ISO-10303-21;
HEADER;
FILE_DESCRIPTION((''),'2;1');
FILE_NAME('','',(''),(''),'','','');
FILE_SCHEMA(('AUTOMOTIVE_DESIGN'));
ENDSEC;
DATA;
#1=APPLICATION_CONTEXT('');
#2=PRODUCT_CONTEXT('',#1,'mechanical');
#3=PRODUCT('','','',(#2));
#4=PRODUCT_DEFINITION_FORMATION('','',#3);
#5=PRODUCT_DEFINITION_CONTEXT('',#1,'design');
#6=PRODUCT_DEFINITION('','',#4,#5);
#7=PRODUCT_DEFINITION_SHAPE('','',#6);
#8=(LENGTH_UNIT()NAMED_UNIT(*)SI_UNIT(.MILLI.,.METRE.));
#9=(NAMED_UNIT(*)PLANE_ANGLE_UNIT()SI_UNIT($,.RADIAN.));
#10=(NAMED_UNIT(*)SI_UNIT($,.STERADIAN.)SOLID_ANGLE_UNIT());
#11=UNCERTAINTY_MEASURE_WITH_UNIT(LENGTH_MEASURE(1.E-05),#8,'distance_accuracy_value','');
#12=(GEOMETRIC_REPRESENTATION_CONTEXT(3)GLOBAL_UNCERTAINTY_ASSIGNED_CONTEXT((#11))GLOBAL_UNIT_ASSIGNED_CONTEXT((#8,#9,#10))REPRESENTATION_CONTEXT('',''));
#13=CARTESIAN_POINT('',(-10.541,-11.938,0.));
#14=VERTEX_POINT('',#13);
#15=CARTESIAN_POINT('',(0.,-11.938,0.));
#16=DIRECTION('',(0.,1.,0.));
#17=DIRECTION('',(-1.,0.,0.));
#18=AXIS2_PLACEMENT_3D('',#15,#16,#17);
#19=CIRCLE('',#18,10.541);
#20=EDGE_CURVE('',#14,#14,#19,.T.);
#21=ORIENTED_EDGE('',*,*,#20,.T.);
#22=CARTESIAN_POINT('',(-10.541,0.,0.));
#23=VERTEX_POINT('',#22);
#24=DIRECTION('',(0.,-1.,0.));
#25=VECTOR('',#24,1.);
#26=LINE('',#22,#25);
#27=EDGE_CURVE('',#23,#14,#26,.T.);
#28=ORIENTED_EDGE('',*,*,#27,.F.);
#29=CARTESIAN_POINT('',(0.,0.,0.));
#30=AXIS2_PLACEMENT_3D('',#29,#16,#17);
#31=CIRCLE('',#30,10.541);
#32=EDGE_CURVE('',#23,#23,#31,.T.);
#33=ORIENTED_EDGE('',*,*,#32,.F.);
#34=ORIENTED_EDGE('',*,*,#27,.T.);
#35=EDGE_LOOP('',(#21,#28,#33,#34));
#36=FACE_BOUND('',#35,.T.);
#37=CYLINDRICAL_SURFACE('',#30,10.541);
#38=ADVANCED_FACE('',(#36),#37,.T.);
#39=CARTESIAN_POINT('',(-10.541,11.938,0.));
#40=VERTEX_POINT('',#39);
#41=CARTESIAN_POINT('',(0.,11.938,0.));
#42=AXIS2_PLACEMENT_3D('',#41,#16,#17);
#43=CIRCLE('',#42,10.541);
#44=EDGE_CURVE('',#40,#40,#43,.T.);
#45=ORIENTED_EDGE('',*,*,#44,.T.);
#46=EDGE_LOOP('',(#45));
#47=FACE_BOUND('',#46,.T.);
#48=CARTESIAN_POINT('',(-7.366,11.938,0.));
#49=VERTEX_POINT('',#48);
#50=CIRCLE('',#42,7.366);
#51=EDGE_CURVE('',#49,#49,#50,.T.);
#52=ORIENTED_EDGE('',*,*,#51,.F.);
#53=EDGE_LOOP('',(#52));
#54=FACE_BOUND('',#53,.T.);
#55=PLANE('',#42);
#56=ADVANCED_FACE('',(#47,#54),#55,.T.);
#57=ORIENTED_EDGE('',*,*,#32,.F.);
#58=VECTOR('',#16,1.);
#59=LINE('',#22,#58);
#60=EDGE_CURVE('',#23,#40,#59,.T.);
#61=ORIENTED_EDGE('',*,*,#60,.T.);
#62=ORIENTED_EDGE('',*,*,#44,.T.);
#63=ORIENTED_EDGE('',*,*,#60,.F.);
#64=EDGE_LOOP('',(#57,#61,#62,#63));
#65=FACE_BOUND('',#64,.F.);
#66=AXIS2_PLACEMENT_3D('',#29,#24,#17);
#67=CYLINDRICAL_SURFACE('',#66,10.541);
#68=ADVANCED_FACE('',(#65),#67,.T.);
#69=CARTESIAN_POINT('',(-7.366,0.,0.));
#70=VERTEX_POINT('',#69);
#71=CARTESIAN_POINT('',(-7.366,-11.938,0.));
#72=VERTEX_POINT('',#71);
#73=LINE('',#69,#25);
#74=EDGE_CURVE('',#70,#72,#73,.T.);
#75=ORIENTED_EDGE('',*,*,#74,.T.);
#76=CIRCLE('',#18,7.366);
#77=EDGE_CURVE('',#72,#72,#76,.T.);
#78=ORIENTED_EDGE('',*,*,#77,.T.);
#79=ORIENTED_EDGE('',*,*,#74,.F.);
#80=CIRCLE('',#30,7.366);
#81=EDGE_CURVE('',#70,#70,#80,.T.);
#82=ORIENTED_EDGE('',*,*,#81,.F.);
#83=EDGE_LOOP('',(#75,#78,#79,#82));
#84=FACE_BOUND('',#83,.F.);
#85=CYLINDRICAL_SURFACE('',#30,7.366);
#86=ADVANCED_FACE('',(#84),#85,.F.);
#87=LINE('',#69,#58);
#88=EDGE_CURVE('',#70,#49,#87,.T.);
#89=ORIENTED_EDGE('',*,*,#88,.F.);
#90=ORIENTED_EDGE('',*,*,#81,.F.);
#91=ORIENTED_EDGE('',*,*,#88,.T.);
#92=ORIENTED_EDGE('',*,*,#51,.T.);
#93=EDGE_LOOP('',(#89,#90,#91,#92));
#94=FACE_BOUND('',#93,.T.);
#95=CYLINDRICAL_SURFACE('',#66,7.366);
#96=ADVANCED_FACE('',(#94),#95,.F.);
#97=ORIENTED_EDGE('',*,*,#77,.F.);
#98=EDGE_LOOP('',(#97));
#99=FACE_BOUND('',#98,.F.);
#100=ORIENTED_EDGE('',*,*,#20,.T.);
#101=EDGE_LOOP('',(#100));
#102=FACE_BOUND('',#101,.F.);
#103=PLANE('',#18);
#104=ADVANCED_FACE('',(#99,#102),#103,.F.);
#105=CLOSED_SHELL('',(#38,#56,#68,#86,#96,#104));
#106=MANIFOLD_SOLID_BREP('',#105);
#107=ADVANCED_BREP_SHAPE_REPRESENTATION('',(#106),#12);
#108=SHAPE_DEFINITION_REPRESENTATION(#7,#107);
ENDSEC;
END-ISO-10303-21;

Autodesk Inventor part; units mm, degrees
ref_plane "YZ Plane" through (0, 0, 0) normal (1, 0, 0) x (0, 1, 0)
ref_plane "XZ Plane" through (0, 0, 0) normal (0, 1, 0) x (-1, 0, 0)
ref_plane "XY Plane" through (0, 0, 0) normal (0, 0, 1) x (1, 0, 0)
sketch "Sketch1" plane through (0, 0, 0) normal (0, 1, 0) x (-1, 0, 0)
  circle A0 centre (0, 0) radius 7.366
  circle A1 centre (0, 0) radius 10.541
  dimension "d0" = 14.732
  dimension "d1" = 3.175
extrude "Extrusion1" add sketch "Sketch1" along normal mid plane 23.876
properties part number "CL-S-005" material "ABS Plastic"
